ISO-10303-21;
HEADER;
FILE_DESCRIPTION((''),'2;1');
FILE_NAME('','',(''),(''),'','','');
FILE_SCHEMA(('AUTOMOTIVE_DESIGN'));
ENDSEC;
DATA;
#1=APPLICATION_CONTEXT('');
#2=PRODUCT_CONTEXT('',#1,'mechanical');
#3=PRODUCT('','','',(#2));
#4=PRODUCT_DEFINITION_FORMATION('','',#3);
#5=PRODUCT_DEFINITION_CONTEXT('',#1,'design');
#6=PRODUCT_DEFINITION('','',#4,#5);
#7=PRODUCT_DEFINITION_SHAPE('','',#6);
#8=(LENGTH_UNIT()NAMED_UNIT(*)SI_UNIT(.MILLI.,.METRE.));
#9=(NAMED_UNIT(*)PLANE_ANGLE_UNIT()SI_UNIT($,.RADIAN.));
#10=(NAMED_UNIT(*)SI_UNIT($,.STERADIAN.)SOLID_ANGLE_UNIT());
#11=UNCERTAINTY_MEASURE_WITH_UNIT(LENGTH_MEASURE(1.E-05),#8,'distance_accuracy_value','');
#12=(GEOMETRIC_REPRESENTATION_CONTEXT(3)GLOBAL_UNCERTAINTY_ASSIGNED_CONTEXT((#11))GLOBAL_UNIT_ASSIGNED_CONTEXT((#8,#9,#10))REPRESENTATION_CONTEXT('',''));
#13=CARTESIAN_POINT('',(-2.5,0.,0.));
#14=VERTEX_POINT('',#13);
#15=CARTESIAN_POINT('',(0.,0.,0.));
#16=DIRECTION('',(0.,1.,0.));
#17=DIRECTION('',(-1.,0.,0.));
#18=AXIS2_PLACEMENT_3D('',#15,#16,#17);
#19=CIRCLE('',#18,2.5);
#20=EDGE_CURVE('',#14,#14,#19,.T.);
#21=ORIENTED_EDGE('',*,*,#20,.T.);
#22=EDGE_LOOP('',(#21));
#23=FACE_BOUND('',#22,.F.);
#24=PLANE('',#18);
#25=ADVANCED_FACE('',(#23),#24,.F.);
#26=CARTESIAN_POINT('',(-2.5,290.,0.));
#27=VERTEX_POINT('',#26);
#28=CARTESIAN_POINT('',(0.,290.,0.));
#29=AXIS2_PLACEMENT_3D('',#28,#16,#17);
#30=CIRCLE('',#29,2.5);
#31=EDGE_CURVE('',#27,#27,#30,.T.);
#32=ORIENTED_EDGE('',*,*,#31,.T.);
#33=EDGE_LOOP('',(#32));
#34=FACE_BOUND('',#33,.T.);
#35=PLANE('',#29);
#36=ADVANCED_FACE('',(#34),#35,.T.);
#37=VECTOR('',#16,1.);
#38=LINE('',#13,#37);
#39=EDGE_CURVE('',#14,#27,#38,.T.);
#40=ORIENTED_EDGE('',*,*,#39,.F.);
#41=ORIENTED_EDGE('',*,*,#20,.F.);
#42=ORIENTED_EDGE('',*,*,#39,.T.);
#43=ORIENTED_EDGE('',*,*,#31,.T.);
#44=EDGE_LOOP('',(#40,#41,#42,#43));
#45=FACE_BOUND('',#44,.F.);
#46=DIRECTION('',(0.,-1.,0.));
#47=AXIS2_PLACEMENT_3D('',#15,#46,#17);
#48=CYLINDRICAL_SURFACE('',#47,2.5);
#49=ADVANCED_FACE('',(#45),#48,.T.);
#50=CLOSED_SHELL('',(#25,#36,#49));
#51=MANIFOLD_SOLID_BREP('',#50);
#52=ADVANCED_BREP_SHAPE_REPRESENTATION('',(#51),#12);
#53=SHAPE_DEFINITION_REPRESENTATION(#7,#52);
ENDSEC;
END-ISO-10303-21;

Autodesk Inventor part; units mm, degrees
ref_plane "YZ Plane" through (0, 0, 0) normal (1, 0, 0) x (0, 1, 0)
ref_plane "XZ Plane" through (0, 0, 0) normal (0, 1, 0) x (-1, 0, 0)
ref_plane "XY Plane" through (0, 0, 0) normal (0, 0, 1) x (1, 0, 0)
sketch "Sketch1" plane through (0, 0, 0) normal (0, 1, 0) x (-1, 0, 0)
  circle A0 centre (0, 0) radius 2.5
  dimension "d0" = 5
extrude "Extrusion1" add sketch "Sketch1" along normal blind 290
thread "Thread1" size "M5x0.8" class "6g" standard "ISO Metric profile" full length
properties part number "rodtij" material "Steel, Mild, Welded"
